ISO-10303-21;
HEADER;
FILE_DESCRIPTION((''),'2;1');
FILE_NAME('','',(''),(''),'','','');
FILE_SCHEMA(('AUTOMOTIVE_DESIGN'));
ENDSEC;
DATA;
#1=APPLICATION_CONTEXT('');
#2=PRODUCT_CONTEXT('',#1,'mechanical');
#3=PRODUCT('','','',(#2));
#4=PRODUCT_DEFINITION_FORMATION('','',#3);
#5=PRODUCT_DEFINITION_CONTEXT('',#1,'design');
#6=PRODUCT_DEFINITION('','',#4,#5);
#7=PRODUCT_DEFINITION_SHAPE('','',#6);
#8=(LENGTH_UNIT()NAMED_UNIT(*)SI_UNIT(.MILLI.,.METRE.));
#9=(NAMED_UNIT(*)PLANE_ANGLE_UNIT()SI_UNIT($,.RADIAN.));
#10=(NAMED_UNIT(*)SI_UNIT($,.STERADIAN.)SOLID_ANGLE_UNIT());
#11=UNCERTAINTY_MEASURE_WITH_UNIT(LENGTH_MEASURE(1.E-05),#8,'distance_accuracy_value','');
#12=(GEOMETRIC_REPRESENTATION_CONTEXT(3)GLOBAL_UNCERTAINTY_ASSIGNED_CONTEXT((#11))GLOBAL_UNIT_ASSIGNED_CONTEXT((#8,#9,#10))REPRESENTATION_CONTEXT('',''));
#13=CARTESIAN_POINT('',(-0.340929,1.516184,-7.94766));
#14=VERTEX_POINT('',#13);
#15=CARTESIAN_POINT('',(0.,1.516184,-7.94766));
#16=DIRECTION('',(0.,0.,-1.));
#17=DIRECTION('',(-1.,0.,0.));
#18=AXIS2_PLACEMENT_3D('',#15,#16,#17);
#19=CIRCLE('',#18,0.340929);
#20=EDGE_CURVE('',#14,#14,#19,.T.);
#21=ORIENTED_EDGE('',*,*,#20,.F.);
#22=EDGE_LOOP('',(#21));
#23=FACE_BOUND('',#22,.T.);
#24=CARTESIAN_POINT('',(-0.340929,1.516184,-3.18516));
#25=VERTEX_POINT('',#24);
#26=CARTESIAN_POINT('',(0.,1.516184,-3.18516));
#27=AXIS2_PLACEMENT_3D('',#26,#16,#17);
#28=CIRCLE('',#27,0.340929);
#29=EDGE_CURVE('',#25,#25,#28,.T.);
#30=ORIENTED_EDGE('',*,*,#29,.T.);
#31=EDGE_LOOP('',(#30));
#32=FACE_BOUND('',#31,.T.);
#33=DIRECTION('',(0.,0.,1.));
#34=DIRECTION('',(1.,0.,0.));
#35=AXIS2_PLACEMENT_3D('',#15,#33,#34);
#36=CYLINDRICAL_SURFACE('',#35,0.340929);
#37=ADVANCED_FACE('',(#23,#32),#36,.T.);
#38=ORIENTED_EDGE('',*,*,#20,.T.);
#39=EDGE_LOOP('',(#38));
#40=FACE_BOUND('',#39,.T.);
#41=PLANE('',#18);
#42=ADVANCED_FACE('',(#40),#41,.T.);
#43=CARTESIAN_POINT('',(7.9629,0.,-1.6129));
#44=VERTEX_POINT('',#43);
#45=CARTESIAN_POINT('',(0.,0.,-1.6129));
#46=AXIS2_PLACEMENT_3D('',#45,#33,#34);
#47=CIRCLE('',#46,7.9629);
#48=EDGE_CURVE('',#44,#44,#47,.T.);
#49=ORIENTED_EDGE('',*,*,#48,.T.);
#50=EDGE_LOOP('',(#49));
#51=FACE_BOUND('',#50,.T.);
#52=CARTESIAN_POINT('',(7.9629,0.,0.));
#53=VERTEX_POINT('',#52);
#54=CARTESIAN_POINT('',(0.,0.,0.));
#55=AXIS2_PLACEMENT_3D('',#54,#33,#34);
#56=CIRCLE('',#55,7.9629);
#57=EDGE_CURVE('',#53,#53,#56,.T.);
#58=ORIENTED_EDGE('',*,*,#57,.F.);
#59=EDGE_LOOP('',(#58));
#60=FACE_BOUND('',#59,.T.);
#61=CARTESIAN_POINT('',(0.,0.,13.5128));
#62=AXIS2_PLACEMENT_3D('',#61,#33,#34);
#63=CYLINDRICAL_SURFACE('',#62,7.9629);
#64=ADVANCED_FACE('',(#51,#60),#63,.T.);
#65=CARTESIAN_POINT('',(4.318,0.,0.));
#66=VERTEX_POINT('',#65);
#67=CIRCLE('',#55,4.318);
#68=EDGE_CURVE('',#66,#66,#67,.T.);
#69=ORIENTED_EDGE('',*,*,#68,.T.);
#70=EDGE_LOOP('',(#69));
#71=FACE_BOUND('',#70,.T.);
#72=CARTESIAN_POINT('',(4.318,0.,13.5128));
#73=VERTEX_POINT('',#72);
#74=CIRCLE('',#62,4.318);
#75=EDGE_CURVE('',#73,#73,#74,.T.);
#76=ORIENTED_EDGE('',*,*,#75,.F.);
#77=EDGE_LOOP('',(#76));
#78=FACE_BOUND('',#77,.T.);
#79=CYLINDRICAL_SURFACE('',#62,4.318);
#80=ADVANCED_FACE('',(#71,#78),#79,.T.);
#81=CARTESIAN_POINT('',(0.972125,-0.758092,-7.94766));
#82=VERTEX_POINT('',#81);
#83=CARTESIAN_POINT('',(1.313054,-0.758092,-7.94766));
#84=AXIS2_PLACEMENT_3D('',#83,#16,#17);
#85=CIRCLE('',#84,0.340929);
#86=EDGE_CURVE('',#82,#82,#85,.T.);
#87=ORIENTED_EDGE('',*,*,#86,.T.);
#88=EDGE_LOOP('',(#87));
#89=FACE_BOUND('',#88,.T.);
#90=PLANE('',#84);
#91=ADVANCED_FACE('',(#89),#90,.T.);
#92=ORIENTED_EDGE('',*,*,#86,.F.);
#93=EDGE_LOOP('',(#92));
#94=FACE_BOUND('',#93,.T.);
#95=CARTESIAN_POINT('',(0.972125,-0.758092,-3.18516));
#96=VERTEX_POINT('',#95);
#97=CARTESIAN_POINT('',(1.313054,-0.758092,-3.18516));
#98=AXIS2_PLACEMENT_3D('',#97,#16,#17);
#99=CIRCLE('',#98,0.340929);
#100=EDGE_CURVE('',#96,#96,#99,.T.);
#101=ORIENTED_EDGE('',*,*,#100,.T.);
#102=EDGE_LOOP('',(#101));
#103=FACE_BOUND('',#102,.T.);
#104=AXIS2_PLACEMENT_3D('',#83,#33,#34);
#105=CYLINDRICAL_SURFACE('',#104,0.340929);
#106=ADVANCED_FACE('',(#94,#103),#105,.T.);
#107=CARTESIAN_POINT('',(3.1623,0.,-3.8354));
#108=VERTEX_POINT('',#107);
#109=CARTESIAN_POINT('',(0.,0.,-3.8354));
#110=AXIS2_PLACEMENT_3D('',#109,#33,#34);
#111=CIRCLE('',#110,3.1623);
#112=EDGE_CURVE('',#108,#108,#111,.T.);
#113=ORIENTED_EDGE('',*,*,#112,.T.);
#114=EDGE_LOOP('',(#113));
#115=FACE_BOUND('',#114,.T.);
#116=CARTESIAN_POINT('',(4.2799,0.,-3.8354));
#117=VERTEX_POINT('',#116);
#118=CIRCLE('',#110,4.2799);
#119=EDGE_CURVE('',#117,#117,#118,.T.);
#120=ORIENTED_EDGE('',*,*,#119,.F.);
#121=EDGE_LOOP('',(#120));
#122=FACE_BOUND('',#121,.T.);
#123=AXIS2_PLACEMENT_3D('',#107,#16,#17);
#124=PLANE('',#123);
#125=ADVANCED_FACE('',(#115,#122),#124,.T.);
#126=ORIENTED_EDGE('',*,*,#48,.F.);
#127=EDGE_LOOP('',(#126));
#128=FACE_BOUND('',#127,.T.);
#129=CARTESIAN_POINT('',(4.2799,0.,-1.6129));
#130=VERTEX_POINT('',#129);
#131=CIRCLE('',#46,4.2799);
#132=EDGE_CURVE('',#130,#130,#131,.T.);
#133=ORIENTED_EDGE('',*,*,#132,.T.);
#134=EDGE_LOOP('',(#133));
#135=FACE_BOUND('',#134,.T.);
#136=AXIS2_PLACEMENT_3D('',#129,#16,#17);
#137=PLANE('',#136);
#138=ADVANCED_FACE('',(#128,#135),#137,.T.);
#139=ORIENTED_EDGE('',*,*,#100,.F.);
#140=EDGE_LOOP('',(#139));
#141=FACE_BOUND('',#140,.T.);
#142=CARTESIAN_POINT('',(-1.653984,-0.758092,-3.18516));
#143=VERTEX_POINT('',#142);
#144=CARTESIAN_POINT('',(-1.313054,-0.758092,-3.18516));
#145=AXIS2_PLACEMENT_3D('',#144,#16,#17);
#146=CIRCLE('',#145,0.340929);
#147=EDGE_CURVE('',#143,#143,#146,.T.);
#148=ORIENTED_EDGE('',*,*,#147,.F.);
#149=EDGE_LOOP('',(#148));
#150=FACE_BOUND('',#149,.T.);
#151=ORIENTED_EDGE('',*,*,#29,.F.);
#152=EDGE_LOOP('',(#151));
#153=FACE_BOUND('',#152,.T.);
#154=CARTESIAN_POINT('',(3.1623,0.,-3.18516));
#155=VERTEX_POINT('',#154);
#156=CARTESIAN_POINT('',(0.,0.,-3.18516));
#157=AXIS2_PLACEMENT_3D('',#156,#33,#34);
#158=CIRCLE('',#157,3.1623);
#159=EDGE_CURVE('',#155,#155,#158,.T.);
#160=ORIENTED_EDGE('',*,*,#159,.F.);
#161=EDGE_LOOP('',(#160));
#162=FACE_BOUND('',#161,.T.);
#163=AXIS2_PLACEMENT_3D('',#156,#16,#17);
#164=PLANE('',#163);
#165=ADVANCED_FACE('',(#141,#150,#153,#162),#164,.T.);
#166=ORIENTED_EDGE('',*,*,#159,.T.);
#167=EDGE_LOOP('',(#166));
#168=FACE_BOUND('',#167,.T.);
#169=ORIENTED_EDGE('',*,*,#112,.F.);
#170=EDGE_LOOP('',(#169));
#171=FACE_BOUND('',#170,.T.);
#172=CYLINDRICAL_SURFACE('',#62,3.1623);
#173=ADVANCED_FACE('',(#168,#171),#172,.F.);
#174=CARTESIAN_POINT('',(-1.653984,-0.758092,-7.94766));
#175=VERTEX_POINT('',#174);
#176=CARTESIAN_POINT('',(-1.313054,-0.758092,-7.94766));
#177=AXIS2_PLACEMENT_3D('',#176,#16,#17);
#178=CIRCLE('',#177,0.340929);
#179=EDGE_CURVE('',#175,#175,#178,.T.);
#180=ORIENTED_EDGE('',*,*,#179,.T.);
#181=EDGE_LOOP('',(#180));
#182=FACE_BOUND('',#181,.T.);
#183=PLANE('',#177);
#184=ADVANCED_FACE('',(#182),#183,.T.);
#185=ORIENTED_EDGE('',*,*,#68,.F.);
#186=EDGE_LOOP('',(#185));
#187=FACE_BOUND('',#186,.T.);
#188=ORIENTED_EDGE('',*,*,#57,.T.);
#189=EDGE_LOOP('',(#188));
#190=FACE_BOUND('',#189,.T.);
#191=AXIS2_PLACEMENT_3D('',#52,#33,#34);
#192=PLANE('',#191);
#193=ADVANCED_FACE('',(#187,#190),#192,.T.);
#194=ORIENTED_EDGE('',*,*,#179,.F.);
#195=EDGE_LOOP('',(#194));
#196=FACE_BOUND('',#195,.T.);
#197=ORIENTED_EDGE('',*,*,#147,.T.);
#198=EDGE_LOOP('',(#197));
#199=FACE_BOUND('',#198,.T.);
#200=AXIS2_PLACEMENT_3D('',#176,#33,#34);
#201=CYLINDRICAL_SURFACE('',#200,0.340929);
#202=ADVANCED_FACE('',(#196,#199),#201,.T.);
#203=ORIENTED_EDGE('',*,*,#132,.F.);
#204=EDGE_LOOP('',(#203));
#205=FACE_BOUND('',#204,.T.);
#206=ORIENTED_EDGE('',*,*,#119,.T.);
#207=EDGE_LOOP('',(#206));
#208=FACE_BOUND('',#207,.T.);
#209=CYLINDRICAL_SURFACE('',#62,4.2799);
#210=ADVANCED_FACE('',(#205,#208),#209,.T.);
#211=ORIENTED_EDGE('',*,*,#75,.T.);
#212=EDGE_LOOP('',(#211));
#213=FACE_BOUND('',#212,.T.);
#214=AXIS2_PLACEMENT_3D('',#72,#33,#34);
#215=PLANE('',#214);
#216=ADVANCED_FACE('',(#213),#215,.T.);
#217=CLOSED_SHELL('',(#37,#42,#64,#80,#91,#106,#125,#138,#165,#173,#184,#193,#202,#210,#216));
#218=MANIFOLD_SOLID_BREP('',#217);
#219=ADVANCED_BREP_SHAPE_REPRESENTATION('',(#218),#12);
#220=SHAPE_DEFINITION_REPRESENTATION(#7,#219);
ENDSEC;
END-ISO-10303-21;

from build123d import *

# Parameters (mm, degrees)
SKETCH4_R           = 0.340929453
BOSS_EXTRUDE1_DEPTH = 4.7625


with BuildPart() as part:
    # Sketch3 → Revolve1 (revolve)
    with BuildSketch(Plane(origin=(0, 0, 0), x_dir=(1, 0, 0), z_dir=(0, 1, 0))):
        Polygon((0, 0), (0, 3.18516), (3.1623, 3.18516), (3.1623, 3.8354), (4.2799, 3.8354), (4.2799, 1.6129), (7.9629, 1.6129), (7.9629, 0), (4.318, 0), (4.318, -13.5128), (0, -13.5128), align=None)
    revolve(axis=Axis((0, 0, 13.5128), (0, 0, -1)))

    # Sketch4 → Boss-Extrude1 (add)
    with BuildSketch(Plane(origin=(0, 0, -3.18516), x_dir=(-1, 0, 0), z_dir=(0, 0, -1))):
        with Locations((0, 1.516184255)):
            Circle(SKETCH4_R)
        with Locations((1.313054082, -0.758092128)):
            Circle(SKETCH4_R)
        with Locations((-1.313054082, -0.758092128)):
            Circle(SKETCH4_R)
    extrude(amount=BOSS_EXTRUDE1_DEPTH)


solid = part.part
